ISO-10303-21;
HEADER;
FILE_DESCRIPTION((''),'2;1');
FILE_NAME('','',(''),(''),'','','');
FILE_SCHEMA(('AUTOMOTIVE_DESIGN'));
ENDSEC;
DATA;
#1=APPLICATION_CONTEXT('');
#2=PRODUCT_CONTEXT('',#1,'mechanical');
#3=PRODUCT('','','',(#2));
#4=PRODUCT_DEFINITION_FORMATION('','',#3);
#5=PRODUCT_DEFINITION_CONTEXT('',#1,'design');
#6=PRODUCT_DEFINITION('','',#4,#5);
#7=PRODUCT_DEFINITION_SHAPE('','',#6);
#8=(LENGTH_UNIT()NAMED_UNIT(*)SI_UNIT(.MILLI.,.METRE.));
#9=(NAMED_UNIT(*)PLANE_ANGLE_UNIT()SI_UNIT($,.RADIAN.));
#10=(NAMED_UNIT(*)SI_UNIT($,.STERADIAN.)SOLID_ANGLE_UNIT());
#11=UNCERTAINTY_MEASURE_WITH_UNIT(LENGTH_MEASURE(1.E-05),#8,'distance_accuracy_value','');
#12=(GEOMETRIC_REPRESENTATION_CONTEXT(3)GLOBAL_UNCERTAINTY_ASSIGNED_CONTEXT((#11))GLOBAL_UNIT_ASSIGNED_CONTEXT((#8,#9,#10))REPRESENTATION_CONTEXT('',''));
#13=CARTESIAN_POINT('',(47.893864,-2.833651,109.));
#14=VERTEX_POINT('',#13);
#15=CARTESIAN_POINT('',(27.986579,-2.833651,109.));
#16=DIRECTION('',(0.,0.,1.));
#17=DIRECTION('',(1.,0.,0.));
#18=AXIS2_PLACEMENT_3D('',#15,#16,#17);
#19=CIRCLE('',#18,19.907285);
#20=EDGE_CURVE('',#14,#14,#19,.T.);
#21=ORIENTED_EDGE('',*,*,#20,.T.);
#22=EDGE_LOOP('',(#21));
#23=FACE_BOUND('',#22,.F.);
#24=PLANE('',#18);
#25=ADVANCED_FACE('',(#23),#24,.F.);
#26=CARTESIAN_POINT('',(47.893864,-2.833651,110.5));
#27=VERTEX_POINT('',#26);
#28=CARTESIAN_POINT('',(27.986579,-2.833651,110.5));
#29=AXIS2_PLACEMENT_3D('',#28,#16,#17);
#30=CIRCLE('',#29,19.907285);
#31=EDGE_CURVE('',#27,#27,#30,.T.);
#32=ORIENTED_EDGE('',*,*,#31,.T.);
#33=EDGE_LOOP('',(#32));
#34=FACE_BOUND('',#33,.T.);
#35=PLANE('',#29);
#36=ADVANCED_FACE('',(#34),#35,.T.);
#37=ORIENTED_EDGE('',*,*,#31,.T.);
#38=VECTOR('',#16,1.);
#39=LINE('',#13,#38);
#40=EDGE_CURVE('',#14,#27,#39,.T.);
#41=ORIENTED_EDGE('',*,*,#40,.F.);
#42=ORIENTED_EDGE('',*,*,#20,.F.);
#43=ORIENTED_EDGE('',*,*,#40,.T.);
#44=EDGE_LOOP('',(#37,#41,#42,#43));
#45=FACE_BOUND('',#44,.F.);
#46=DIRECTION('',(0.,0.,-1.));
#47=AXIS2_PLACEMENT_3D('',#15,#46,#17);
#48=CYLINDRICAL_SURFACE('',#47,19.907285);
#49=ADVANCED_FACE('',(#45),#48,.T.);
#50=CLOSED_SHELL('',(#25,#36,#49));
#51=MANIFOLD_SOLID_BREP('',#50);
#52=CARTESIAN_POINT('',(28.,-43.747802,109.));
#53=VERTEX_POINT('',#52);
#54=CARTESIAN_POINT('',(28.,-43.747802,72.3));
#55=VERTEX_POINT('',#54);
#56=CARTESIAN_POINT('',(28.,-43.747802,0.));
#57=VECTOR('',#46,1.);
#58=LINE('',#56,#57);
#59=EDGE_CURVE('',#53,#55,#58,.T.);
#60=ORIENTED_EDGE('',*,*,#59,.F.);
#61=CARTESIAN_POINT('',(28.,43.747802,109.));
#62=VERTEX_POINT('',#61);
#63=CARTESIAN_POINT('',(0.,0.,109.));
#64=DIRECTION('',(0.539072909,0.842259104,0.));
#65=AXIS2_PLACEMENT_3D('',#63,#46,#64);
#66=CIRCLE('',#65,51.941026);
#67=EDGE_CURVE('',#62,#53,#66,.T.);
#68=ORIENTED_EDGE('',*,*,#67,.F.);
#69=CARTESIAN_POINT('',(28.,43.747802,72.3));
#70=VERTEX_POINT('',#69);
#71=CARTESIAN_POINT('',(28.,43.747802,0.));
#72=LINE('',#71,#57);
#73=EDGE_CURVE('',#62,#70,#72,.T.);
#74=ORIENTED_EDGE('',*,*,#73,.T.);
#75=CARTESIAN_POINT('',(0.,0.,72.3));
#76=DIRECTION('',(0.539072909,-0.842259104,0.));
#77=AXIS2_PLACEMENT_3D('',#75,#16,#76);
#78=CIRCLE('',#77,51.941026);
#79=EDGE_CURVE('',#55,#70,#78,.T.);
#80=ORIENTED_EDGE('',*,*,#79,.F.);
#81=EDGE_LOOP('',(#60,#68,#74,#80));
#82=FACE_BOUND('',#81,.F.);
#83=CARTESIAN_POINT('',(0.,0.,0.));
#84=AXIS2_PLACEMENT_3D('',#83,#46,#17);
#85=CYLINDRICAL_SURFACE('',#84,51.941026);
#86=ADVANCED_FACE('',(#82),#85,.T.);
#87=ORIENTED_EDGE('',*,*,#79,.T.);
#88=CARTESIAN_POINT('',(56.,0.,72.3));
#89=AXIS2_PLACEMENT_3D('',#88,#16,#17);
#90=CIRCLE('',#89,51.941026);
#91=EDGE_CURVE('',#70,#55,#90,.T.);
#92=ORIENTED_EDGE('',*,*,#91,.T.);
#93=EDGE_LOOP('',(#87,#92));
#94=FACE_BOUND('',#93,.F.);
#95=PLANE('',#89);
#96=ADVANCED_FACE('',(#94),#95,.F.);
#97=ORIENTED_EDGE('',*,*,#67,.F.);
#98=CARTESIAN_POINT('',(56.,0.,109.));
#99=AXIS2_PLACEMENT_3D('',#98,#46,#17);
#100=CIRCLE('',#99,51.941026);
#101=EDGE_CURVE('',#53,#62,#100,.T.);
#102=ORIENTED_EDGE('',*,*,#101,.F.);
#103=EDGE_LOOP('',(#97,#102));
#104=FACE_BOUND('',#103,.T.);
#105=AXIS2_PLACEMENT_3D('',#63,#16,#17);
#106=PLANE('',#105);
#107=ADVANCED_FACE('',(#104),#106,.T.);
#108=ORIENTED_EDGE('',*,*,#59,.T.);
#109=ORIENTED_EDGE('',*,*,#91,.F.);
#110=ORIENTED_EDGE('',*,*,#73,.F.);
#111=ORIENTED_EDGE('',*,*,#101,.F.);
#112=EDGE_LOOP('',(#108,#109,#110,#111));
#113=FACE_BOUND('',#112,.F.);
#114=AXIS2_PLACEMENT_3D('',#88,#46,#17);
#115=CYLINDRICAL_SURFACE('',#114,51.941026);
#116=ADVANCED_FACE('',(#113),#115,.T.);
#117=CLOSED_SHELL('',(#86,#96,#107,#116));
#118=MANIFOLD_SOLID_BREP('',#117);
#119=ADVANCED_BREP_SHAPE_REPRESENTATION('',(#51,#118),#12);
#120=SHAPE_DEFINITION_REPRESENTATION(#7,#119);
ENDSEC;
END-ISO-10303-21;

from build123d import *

# Parameters (mm, degrees)
F0_R     = 51.941026
F1_DEPTH = 109
F4_R     = 19.907285
F5_DEPTH = 1.5


with BuildPart() as f1:
    # F0 (on Top) → F1 (new body)
    with BuildSketch(Plane.XY):
        Circle(F0_R)
    extrude(amount=F1_DEPTH)


with BuildPart() as f2_1:
    # F2: copy of F1
    add(f1.part.moved(Location((56, 0, 72.3))))


with BuildPart() as f1_1:
    add(f1.part)

    # F3: intersect F2_1
    add(f2_1.part, mode=Mode.INTERSECT)


with BuildPart() as f5:
    # F4 (on face) → F5 (new body)
    with BuildSketch(Plane.XY.offset(109)):
        with Locations((27.986579, -2.833651)):
            Circle(F4_R)
    extrude(amount=F5_DEPTH)


solid = Compound([f1_1.part, f5.part])
